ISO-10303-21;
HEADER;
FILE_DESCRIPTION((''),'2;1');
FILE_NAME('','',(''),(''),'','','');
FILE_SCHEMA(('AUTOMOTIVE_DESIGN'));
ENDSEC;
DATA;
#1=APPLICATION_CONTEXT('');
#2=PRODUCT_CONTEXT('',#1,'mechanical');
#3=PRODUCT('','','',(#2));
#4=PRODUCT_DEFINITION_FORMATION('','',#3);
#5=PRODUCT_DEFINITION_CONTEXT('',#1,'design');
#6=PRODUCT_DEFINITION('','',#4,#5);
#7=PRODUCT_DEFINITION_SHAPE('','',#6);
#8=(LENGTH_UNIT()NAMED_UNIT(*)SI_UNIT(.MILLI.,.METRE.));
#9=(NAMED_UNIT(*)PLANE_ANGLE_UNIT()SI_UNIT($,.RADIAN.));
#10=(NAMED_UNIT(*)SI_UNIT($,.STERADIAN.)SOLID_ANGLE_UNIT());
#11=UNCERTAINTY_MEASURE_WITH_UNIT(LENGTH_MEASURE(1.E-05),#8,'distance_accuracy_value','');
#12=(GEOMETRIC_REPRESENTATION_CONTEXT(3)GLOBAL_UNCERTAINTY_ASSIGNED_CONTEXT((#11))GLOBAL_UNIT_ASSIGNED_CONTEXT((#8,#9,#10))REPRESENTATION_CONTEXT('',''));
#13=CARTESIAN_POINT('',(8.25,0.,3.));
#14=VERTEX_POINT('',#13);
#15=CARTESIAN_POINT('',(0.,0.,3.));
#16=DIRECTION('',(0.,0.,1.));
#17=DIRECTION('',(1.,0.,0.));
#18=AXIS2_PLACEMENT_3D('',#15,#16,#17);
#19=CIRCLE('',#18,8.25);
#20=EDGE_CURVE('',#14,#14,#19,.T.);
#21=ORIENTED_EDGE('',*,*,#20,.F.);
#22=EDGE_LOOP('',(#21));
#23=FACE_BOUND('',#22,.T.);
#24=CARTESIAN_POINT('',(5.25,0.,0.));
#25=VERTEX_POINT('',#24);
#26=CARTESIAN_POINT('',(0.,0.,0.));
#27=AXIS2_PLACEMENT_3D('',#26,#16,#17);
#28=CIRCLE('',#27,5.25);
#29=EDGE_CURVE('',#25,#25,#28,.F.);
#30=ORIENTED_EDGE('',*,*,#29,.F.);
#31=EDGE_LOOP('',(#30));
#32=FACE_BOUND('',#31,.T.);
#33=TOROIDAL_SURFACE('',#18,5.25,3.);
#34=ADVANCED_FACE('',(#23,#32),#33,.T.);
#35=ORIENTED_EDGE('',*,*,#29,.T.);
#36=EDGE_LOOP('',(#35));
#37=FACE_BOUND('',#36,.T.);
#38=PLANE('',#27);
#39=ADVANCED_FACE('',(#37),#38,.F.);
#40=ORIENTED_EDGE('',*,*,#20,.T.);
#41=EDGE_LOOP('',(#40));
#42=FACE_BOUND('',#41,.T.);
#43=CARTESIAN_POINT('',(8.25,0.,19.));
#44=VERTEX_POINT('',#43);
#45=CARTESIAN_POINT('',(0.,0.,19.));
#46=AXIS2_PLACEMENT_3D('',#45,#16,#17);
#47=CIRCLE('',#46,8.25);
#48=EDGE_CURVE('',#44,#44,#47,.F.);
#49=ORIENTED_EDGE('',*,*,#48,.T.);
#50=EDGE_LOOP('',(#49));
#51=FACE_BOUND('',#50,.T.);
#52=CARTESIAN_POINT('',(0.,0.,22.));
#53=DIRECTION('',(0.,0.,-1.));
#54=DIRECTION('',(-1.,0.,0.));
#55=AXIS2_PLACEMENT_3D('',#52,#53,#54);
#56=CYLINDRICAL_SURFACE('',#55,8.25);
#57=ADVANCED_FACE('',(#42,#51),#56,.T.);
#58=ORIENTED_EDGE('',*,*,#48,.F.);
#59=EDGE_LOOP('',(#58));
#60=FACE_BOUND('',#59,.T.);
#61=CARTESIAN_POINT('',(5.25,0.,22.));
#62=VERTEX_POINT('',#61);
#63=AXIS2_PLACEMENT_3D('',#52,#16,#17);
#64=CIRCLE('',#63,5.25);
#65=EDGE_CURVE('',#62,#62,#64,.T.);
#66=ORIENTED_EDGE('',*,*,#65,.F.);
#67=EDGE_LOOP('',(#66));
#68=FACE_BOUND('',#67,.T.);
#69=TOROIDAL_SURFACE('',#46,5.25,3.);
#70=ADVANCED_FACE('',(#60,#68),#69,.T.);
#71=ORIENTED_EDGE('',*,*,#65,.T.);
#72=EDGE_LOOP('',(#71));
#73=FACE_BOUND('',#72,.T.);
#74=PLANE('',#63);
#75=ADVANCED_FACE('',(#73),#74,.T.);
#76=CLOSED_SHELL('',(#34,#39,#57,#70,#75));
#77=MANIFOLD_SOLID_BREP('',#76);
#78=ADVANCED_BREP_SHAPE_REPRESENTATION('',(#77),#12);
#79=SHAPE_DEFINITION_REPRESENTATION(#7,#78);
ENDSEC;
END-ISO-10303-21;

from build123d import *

# Parameters (mm, degrees)
SKETCH2_R           = 8.25
BOSS_EXTRUDE1_DEPTH = 22
FILLET1_R           = 3


with BuildPart() as part:
    # Sketch2 → Boss-Extrude1 (new body)
    with BuildSketch(Plane.XY):
        Circle(SKETCH2_R)
    extrude(amount=BOSS_EXTRUDE1_DEPTH)

    # Fillet1
    fillet1_edges = [part.edges().sort_by_distance(p)[0] for p in [
        (-8.25, 0, 0),
        (-8.25, 0, 22),
    ]]
    fillet(fillet1_edges, radius=FILLET1_R)


solid = part.part
